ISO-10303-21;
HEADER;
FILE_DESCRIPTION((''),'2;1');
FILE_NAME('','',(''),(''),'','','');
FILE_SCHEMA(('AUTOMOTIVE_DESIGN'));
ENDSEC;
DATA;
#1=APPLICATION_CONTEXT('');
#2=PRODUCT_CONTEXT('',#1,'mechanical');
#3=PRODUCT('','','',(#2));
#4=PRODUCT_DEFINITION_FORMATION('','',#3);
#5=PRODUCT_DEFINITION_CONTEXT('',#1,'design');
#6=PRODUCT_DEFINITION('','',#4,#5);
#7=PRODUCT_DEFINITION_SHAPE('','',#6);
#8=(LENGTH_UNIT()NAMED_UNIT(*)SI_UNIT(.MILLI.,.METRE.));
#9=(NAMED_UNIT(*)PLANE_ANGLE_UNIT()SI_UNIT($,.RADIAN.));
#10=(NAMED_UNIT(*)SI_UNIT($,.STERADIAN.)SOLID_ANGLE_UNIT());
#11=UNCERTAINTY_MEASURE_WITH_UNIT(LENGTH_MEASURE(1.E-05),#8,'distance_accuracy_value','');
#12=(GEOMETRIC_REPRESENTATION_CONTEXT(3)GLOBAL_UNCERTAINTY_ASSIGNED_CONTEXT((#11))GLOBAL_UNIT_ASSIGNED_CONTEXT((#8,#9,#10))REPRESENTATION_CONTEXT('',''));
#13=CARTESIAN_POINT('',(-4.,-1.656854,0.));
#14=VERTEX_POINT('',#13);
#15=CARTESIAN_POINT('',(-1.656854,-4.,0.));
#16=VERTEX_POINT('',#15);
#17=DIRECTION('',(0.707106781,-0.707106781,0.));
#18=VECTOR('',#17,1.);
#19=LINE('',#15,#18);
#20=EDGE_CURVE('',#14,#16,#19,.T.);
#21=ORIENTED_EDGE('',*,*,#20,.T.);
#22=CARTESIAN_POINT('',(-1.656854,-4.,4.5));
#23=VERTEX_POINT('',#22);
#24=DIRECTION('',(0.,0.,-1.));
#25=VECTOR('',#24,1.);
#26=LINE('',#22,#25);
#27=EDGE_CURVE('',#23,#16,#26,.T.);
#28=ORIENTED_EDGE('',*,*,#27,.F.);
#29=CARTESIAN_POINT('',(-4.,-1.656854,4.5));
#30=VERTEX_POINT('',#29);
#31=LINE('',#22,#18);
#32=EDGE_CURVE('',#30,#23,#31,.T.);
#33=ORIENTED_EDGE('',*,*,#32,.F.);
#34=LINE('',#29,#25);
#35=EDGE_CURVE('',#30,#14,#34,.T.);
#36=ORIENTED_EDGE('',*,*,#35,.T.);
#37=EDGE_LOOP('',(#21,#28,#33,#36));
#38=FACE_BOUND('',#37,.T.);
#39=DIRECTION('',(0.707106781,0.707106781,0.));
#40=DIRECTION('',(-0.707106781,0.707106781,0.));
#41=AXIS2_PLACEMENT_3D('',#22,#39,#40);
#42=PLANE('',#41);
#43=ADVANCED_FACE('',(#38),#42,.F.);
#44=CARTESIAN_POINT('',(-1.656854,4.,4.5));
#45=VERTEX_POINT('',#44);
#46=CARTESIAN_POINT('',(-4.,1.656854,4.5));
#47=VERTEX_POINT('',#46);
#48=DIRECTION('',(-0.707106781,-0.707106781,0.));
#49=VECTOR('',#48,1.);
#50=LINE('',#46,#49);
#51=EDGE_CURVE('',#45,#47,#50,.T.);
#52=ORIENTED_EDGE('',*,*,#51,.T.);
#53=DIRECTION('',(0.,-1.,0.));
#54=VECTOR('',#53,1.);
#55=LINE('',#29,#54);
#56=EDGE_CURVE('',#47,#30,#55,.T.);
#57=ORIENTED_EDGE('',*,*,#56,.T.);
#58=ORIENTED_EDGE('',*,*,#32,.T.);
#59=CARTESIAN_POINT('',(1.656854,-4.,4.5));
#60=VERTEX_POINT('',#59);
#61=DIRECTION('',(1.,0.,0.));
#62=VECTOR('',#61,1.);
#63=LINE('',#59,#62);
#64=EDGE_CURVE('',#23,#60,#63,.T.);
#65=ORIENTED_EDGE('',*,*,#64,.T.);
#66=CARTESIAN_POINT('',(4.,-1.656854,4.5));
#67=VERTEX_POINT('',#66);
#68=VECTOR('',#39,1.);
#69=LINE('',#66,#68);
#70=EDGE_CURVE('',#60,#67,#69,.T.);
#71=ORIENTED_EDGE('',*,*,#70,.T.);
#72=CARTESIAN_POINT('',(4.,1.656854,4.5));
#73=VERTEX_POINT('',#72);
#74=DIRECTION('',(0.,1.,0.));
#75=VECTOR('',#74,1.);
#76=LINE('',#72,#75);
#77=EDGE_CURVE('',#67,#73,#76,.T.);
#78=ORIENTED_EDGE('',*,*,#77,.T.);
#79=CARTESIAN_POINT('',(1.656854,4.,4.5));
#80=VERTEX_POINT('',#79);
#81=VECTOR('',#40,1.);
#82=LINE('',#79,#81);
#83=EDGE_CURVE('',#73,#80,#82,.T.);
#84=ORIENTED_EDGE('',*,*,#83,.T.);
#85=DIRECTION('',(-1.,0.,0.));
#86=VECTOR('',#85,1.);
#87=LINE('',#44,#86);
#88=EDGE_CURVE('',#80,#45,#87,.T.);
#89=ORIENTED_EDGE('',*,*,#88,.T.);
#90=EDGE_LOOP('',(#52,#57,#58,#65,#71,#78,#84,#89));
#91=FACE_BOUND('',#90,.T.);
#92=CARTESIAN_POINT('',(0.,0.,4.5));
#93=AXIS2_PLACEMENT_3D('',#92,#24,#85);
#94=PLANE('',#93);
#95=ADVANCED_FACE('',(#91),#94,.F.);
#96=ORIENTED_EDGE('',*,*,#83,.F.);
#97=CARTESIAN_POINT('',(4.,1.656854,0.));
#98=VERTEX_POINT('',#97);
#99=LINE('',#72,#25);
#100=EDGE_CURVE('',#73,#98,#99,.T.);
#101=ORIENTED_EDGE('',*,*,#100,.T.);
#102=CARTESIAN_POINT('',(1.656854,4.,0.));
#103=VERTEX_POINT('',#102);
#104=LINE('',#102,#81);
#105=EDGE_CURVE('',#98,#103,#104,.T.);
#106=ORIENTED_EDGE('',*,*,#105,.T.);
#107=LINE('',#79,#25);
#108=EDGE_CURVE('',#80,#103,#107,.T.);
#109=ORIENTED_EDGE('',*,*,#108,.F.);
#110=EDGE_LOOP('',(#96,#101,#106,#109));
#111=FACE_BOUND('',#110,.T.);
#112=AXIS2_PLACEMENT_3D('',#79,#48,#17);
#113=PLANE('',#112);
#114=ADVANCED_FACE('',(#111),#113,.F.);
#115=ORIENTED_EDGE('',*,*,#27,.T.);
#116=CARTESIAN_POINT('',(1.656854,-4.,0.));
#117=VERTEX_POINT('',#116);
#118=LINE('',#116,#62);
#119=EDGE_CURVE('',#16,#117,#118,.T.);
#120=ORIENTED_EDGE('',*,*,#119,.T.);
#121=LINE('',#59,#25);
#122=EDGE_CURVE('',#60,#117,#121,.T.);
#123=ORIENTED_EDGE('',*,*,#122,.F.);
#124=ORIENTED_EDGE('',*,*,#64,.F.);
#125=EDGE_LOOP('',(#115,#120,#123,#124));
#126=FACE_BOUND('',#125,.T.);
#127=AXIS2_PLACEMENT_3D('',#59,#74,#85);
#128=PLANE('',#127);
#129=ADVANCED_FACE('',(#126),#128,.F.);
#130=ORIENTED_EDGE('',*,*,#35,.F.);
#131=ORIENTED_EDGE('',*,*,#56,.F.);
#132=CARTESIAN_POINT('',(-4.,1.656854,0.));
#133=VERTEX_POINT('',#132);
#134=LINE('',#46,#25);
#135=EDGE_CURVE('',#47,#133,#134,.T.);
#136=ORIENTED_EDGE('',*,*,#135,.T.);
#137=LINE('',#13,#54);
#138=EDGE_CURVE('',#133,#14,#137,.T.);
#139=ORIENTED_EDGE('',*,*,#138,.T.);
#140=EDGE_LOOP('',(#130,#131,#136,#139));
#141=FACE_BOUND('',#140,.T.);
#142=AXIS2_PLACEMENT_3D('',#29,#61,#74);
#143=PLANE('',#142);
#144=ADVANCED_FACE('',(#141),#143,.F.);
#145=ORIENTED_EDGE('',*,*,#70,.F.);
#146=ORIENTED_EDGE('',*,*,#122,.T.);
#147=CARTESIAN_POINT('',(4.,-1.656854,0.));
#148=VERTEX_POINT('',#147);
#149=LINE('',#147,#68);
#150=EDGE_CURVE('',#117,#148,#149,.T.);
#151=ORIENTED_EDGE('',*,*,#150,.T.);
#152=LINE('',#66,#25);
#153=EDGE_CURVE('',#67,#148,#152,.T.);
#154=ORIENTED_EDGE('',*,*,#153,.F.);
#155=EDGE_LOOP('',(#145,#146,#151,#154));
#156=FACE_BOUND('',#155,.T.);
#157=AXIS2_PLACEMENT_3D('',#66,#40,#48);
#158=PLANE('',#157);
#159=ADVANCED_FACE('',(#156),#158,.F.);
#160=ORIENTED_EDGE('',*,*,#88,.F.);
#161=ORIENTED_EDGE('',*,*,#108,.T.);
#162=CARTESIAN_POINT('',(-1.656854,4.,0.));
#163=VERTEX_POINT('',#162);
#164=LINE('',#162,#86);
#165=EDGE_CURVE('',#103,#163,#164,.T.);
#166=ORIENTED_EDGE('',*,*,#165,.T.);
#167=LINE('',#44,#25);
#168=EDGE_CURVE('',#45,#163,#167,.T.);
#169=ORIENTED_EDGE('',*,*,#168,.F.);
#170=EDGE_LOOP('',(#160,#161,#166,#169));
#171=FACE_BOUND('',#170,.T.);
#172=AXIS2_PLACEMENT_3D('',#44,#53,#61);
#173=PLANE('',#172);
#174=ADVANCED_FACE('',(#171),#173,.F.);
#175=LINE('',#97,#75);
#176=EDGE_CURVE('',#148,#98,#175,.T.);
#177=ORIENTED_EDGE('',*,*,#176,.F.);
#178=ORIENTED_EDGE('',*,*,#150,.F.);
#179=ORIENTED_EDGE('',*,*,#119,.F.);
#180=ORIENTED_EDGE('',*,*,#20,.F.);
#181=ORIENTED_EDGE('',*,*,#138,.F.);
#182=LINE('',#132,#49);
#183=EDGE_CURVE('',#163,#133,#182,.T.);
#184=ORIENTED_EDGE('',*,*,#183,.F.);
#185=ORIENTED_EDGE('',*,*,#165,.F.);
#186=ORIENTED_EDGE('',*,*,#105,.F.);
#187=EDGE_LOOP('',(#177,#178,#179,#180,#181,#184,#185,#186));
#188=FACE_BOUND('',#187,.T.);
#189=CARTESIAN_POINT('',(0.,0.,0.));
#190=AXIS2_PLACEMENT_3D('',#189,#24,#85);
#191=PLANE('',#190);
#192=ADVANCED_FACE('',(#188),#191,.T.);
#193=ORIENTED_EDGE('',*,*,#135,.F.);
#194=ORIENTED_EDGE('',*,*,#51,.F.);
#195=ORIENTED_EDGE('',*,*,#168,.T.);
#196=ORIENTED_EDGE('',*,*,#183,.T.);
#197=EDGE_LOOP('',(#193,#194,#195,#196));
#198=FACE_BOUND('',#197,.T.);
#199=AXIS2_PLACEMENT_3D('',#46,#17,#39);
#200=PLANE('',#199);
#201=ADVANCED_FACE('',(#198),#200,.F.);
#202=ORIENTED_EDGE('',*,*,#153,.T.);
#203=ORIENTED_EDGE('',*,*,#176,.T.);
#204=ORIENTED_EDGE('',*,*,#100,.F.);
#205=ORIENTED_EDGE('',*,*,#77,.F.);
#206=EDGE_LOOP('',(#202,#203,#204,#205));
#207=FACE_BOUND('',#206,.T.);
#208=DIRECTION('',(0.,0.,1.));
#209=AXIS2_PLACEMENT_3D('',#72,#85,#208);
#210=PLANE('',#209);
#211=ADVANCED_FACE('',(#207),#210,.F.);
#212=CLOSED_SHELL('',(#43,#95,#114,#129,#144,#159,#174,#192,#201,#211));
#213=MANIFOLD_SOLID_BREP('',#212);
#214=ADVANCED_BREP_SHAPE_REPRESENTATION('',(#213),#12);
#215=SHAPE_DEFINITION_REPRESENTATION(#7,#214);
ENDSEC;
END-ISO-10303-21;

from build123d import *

# Parameters (mm, degrees)
EXTRUDE_1_DEPTH = 4.5


with BuildPart() as part:
    # Эскиз1 → Бобышка-Вытянуть1 (new body)
    with BuildSketch(Plane.XY):
        Polygon((-1.656854249, 4), (1.656854249, 4), (4, 1.656854249), (4, -1.656854249), (1.656854249, -4), (-1.656854249, -4), (-4, -1.656854249), (-4, 1.656854249), align=None)
    extrude(amount=EXTRUDE_1_DEPTH)


solid = part.part
